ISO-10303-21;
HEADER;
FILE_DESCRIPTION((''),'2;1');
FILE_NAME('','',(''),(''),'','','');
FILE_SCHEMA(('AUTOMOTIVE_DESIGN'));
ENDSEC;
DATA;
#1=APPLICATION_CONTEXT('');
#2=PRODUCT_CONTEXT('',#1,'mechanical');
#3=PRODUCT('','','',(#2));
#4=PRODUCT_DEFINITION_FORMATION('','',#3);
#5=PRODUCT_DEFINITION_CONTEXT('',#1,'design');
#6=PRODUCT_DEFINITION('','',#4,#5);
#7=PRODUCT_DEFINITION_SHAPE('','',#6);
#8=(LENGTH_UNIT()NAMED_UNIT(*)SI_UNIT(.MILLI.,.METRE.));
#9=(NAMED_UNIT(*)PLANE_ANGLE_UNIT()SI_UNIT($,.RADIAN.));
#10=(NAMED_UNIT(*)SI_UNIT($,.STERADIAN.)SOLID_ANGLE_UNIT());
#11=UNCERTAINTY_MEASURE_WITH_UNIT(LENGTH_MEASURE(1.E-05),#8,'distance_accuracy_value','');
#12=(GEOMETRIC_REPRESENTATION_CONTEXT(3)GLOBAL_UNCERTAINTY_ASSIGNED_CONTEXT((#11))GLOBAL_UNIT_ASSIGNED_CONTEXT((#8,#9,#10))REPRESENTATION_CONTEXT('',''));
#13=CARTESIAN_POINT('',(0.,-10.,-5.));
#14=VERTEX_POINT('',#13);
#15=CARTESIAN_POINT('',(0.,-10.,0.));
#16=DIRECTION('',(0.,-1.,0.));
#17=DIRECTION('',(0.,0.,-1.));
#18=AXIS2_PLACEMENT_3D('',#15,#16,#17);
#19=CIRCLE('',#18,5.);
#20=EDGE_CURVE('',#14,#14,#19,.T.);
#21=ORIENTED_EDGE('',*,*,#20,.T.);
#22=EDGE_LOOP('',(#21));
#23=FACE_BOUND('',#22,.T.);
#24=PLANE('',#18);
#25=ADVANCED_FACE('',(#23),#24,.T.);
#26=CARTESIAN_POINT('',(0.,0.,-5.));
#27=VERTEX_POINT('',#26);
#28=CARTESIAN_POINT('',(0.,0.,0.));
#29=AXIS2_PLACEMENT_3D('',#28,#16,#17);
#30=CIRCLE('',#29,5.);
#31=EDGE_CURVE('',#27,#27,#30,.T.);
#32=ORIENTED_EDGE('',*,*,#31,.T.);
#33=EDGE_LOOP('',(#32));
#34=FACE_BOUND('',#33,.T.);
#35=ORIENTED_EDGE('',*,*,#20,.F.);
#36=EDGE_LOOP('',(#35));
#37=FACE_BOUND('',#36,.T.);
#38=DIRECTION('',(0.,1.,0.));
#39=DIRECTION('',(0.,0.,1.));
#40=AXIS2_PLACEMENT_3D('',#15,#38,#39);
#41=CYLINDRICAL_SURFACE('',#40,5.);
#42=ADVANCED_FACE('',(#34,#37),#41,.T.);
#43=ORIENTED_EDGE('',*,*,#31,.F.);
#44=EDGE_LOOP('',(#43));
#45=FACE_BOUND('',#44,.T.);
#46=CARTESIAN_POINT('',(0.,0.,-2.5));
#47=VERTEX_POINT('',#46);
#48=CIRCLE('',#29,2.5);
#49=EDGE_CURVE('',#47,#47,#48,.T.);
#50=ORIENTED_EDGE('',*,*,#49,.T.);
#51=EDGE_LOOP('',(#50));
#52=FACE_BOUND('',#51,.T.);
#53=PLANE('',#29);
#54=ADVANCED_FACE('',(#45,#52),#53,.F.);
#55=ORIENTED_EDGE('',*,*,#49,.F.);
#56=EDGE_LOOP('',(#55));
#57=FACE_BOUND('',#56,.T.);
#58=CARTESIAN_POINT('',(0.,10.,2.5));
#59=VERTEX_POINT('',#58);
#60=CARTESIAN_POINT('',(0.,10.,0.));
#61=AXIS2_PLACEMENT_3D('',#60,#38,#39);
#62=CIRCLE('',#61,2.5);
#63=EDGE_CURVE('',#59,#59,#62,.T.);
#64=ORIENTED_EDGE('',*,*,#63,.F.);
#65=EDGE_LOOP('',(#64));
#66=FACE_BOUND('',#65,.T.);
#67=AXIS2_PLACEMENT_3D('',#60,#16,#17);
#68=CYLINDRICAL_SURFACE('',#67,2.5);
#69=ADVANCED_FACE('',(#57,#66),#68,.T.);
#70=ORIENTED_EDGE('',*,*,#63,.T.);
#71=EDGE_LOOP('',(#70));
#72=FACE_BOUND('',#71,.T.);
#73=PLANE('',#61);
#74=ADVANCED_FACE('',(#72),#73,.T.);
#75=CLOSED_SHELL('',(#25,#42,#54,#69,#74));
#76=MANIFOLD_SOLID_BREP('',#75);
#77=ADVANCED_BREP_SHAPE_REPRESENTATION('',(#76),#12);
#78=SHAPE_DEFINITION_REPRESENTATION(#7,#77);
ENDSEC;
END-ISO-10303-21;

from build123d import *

# Parameters (mm, degrees)
SKIZZE1_R                       = 2.5
AUFSATZ_LINEAR_AUSTRAGEN1_DEPTH = 10
SKIZZE2_R                       = 5
AUFSATZ_LINEAR_AUSTRAGEN2_DEPTH = 10


with BuildPart() as part:
    # Skizze1 → Aufsatz-Linear austragen1 (new body)
    with BuildSketch(Plane(origin=(0, 0, 0), x_dir=(1, 0, 0), z_dir=(0, 1, 0))):
        with Locations(Location((0, 0, 0), (0, 0, 270))):  # turned: the seam where the file's is
            Circle(SKIZZE1_R)
    extrude(amount=AUFSATZ_LINEAR_AUSTRAGEN1_DEPTH)

    # Skizze2 → Aufsatz-Linear austragen2 (add)
    with BuildSketch(Plane.XZ):
        with Locations(Location((0, 0, 0), (0, 0, 270))):  # turned: the seam where the file's is
            Circle(SKIZZE2_R)
    extrude(amount=AUFSATZ_LINEAR_AUSTRAGEN2_DEPTH)


solid = part.part
